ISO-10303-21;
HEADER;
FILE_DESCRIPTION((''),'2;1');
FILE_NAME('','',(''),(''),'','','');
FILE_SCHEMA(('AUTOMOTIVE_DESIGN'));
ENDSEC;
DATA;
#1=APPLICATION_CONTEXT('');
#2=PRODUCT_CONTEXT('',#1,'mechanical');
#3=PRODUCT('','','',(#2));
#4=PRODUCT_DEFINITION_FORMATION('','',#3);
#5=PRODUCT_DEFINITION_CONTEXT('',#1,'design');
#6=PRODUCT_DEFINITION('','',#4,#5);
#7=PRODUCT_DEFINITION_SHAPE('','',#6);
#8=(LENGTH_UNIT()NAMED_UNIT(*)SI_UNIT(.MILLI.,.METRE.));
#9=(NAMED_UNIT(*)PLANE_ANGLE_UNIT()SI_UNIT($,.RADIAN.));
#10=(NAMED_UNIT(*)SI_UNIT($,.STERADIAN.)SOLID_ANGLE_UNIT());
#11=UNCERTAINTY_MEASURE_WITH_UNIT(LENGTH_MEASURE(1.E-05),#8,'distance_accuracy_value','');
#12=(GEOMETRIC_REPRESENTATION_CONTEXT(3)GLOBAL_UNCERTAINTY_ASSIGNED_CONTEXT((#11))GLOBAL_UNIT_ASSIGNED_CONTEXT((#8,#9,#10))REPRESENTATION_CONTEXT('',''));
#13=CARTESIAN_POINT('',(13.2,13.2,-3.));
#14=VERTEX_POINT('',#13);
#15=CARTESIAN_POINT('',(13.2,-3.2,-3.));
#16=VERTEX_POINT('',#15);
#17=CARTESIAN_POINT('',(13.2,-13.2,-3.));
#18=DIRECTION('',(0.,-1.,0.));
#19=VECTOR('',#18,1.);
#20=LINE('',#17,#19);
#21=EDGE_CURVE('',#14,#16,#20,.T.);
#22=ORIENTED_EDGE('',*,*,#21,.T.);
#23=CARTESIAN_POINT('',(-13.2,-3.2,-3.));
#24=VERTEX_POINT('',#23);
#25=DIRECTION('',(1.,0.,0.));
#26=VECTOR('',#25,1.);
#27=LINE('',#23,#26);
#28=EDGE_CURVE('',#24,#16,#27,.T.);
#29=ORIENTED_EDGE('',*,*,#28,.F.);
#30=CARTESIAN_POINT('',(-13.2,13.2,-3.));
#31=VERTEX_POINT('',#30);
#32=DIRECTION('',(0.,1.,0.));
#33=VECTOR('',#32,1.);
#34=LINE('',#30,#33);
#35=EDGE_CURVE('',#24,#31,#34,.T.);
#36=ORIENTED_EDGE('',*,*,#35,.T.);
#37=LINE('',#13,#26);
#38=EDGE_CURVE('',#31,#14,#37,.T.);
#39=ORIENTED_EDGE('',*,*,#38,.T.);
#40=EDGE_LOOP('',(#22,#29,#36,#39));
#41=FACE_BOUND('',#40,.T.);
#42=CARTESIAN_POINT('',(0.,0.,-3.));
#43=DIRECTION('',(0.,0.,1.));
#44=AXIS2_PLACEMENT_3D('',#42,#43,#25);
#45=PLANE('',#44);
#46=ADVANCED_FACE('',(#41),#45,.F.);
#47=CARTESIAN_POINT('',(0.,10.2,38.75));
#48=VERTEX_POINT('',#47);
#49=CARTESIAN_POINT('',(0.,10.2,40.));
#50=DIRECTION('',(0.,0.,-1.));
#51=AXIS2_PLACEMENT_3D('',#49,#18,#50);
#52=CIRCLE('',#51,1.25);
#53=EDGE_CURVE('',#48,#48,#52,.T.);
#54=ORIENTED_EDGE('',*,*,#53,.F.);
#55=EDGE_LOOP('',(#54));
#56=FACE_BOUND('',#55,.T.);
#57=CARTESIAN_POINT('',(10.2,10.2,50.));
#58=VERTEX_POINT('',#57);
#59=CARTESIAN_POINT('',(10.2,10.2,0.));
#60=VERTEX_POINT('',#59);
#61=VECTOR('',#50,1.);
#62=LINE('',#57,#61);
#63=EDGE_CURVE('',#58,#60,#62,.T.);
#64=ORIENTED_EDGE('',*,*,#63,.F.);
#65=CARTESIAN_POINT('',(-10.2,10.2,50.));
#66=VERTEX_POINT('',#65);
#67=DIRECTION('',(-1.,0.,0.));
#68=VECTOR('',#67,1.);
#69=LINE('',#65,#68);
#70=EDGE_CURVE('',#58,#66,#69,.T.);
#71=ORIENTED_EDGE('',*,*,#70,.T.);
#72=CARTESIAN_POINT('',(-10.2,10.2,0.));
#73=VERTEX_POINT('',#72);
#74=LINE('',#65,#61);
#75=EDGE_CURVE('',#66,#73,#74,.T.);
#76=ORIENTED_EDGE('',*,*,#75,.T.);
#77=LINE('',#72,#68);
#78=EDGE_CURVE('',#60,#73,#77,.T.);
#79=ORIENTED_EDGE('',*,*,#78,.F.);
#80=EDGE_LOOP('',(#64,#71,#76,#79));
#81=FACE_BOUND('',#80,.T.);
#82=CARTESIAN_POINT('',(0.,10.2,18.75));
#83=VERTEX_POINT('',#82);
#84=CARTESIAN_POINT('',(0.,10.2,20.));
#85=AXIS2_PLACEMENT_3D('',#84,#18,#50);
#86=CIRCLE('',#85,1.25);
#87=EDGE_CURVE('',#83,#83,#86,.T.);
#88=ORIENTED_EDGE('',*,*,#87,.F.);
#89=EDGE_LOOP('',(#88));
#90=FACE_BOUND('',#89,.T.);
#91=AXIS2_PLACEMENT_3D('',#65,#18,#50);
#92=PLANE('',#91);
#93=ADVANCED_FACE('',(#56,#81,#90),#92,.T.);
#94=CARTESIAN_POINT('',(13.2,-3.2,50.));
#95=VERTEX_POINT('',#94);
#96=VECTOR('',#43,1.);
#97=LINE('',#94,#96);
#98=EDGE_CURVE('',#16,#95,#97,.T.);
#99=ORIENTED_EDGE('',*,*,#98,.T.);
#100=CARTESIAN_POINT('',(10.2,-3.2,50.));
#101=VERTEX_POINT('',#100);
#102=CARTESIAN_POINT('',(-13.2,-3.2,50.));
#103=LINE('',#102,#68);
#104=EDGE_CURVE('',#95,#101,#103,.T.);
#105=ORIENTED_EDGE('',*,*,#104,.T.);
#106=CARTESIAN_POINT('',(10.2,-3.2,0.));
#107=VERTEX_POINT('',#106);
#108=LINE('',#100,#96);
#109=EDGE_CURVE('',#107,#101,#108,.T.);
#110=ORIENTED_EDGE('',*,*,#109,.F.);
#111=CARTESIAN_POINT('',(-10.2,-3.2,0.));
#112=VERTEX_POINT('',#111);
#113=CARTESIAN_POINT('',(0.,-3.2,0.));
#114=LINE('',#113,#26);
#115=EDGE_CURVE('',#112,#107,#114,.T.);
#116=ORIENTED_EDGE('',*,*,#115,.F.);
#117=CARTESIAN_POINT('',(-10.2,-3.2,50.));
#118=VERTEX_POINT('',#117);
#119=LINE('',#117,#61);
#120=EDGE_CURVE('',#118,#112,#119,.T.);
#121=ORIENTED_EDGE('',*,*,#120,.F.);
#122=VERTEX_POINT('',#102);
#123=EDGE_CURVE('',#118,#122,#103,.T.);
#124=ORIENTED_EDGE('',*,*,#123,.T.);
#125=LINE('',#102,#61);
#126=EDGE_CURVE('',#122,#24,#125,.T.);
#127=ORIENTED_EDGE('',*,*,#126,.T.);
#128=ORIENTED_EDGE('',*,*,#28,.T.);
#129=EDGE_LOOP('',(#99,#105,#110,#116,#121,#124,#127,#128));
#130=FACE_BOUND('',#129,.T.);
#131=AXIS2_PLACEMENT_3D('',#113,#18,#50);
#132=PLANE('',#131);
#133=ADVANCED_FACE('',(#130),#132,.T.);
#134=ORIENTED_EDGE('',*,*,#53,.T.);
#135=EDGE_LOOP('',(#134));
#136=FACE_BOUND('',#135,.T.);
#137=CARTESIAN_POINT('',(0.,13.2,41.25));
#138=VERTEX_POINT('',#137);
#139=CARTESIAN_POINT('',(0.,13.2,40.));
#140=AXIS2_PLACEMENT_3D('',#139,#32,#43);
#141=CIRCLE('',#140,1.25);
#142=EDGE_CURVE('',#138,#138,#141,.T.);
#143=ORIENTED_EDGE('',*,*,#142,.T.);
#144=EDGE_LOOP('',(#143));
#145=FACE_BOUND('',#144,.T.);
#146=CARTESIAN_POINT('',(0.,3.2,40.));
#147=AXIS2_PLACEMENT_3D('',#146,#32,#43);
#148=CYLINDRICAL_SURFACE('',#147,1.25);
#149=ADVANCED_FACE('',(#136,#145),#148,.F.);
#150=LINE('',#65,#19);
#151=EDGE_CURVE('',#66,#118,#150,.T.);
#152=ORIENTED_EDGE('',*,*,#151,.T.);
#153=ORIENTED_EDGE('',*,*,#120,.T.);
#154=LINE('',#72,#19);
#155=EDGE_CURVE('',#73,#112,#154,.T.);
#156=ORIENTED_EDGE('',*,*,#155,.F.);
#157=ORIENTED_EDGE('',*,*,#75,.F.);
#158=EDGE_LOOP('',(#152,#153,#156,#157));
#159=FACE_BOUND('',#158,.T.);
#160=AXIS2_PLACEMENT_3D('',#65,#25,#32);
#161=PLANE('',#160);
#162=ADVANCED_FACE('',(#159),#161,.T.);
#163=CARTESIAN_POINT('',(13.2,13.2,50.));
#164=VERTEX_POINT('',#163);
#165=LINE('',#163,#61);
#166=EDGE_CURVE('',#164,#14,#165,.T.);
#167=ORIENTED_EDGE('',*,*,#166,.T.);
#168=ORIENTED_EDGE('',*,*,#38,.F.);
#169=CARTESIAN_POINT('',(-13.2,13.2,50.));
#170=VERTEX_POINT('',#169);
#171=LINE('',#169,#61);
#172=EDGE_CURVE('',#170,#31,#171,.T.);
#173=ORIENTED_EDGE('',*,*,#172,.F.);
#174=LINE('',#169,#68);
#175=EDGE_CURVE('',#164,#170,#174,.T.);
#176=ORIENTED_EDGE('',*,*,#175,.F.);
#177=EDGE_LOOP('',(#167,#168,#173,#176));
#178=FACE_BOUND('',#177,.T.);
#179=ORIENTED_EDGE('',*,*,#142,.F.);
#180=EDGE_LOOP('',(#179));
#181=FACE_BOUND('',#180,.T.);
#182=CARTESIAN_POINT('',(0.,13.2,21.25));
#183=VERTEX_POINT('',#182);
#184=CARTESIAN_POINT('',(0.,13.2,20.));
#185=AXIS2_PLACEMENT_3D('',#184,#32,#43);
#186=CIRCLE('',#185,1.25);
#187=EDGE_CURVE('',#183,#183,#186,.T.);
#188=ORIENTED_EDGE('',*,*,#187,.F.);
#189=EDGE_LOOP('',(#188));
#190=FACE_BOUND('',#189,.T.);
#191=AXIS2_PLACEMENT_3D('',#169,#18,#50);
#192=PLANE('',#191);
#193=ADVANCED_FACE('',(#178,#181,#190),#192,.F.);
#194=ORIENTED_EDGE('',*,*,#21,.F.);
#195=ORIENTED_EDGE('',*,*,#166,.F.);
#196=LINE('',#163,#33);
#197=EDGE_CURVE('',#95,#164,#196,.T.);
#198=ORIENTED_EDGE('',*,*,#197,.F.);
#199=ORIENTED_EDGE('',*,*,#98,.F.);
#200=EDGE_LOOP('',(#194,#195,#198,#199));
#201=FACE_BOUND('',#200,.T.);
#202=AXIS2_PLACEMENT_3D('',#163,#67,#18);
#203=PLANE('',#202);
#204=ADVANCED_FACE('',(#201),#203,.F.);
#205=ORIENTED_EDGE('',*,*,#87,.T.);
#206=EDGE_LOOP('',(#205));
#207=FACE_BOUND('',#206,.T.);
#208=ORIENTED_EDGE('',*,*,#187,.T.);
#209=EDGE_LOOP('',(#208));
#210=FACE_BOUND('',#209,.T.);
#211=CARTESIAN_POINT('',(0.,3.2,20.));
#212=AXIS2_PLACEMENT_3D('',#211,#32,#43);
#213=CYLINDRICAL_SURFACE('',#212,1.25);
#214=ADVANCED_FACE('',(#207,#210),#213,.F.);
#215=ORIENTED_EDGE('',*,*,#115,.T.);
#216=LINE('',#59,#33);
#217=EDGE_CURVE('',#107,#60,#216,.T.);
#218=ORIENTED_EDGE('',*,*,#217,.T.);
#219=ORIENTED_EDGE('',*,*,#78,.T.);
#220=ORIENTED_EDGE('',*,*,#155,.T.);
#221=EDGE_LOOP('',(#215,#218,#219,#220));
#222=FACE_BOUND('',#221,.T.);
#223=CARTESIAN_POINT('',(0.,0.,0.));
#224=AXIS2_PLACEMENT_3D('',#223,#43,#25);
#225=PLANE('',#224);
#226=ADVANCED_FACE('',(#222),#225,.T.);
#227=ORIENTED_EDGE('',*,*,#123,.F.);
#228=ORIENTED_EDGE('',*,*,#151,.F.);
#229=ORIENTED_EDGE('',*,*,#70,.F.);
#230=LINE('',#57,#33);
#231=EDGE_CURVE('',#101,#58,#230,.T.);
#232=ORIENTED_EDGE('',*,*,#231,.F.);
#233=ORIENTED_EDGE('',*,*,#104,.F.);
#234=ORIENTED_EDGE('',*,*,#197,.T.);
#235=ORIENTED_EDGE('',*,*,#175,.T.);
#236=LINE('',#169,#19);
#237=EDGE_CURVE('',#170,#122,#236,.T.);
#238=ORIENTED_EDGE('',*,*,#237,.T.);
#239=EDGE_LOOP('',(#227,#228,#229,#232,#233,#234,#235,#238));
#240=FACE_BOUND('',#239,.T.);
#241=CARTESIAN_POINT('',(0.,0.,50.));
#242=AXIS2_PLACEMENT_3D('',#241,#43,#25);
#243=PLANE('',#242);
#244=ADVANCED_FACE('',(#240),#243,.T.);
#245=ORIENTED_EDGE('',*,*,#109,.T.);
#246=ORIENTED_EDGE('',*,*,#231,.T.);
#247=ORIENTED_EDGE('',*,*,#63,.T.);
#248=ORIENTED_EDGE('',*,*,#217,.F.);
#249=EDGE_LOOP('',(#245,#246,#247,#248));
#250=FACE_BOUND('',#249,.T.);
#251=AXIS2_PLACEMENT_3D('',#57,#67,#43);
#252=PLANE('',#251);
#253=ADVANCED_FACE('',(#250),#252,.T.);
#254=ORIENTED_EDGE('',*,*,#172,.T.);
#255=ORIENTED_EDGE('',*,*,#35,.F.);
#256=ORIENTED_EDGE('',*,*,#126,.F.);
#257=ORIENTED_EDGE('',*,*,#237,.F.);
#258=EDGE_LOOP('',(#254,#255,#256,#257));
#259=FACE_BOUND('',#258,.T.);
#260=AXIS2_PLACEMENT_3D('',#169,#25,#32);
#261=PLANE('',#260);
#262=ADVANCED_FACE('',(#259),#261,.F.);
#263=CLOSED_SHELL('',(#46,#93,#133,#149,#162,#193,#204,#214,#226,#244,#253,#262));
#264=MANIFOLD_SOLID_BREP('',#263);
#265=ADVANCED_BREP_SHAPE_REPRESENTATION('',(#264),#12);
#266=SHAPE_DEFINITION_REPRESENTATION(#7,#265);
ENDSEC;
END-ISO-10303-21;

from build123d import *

# Parameters (mm, degrees)
SKETCH2_W           = 26.4
SKETCH2_H           = 26.4
SKETCH2_W_2         = 20.4
SKETCH2_H_2         = 20.4
BOSS_EXTRUDE1_DEPTH = 50
SKETCH3_W           = 26.4
SKETCH3_H           = 26.4
BOSS_EXTRUDE2_DEPTH = 3
SKETCH4_W           = 20.4
SKETCH4_H           = 50
CUT_EXTRUDE1_DEPTH  = 3
SKETCH5_W           = 26.4
SKETCH5_H           = 53
CUT_EXTRUDE2_DEPTH  = 10
SKETCH6_R           = 1.25
CUT_EXTRUDE3_DEPTH  = 10


with BuildPart() as part:
    # Sketch2 → Boss-Extrude1 (new body)
    with BuildSketch(Plane.XY):
        Rectangle(SKETCH2_W, SKETCH2_H)
        Rectangle(SKETCH2_W_2, SKETCH2_H_2, mode=Mode.SUBTRACT)
    extrude(amount=BOSS_EXTRUDE1_DEPTH)

    # Sketch3 → Boss-Extrude2 (add)
    with BuildSketch(Plane(origin=(0, 0, 0), x_dir=(-1, 0, 0), z_dir=(0, 0, -1))):
        Rectangle(SKETCH3_W, SKETCH3_H)
    extrude(amount=BOSS_EXTRUDE2_DEPTH)

    # Sketch4 → Cut-Extrude1 (cut)
    with BuildSketch(Plane.XZ.offset(13.2)):
        with Locations((0, 25)):
            Rectangle(SKETCH4_W, SKETCH4_H)
    extrude(amount=-CUT_EXTRUDE1_DEPTH, mode=Mode.SUBTRACT)

    # Sketch5 → Cut-Extrude2 (cut)
    with BuildSketch(Plane.XZ.offset(13.2)):
        with Locations((0, 23.5)):
            Rectangle(SKETCH5_W, SKETCH5_H)
    extrude(amount=-CUT_EXTRUDE2_DEPTH, mode=Mode.SUBTRACT)

    # Sketch6 → Cut-Extrude3 (cut)
    with BuildSketch(Plane(origin=(0, 13.2, 0), x_dir=(1, 0, 0), z_dir=(0, 1, 0))):
        with Locations(Location((0, -20, 0), (0, 0, 270))):
            Circle(SKETCH6_R)
        with Locations(Location((0, -40, 0), (0, 0, 270))):
            Circle(SKETCH6_R)
    extrude(amount=-CUT_EXTRUDE3_DEPTH, mode=Mode.SUBTRACT)


solid = part.part
